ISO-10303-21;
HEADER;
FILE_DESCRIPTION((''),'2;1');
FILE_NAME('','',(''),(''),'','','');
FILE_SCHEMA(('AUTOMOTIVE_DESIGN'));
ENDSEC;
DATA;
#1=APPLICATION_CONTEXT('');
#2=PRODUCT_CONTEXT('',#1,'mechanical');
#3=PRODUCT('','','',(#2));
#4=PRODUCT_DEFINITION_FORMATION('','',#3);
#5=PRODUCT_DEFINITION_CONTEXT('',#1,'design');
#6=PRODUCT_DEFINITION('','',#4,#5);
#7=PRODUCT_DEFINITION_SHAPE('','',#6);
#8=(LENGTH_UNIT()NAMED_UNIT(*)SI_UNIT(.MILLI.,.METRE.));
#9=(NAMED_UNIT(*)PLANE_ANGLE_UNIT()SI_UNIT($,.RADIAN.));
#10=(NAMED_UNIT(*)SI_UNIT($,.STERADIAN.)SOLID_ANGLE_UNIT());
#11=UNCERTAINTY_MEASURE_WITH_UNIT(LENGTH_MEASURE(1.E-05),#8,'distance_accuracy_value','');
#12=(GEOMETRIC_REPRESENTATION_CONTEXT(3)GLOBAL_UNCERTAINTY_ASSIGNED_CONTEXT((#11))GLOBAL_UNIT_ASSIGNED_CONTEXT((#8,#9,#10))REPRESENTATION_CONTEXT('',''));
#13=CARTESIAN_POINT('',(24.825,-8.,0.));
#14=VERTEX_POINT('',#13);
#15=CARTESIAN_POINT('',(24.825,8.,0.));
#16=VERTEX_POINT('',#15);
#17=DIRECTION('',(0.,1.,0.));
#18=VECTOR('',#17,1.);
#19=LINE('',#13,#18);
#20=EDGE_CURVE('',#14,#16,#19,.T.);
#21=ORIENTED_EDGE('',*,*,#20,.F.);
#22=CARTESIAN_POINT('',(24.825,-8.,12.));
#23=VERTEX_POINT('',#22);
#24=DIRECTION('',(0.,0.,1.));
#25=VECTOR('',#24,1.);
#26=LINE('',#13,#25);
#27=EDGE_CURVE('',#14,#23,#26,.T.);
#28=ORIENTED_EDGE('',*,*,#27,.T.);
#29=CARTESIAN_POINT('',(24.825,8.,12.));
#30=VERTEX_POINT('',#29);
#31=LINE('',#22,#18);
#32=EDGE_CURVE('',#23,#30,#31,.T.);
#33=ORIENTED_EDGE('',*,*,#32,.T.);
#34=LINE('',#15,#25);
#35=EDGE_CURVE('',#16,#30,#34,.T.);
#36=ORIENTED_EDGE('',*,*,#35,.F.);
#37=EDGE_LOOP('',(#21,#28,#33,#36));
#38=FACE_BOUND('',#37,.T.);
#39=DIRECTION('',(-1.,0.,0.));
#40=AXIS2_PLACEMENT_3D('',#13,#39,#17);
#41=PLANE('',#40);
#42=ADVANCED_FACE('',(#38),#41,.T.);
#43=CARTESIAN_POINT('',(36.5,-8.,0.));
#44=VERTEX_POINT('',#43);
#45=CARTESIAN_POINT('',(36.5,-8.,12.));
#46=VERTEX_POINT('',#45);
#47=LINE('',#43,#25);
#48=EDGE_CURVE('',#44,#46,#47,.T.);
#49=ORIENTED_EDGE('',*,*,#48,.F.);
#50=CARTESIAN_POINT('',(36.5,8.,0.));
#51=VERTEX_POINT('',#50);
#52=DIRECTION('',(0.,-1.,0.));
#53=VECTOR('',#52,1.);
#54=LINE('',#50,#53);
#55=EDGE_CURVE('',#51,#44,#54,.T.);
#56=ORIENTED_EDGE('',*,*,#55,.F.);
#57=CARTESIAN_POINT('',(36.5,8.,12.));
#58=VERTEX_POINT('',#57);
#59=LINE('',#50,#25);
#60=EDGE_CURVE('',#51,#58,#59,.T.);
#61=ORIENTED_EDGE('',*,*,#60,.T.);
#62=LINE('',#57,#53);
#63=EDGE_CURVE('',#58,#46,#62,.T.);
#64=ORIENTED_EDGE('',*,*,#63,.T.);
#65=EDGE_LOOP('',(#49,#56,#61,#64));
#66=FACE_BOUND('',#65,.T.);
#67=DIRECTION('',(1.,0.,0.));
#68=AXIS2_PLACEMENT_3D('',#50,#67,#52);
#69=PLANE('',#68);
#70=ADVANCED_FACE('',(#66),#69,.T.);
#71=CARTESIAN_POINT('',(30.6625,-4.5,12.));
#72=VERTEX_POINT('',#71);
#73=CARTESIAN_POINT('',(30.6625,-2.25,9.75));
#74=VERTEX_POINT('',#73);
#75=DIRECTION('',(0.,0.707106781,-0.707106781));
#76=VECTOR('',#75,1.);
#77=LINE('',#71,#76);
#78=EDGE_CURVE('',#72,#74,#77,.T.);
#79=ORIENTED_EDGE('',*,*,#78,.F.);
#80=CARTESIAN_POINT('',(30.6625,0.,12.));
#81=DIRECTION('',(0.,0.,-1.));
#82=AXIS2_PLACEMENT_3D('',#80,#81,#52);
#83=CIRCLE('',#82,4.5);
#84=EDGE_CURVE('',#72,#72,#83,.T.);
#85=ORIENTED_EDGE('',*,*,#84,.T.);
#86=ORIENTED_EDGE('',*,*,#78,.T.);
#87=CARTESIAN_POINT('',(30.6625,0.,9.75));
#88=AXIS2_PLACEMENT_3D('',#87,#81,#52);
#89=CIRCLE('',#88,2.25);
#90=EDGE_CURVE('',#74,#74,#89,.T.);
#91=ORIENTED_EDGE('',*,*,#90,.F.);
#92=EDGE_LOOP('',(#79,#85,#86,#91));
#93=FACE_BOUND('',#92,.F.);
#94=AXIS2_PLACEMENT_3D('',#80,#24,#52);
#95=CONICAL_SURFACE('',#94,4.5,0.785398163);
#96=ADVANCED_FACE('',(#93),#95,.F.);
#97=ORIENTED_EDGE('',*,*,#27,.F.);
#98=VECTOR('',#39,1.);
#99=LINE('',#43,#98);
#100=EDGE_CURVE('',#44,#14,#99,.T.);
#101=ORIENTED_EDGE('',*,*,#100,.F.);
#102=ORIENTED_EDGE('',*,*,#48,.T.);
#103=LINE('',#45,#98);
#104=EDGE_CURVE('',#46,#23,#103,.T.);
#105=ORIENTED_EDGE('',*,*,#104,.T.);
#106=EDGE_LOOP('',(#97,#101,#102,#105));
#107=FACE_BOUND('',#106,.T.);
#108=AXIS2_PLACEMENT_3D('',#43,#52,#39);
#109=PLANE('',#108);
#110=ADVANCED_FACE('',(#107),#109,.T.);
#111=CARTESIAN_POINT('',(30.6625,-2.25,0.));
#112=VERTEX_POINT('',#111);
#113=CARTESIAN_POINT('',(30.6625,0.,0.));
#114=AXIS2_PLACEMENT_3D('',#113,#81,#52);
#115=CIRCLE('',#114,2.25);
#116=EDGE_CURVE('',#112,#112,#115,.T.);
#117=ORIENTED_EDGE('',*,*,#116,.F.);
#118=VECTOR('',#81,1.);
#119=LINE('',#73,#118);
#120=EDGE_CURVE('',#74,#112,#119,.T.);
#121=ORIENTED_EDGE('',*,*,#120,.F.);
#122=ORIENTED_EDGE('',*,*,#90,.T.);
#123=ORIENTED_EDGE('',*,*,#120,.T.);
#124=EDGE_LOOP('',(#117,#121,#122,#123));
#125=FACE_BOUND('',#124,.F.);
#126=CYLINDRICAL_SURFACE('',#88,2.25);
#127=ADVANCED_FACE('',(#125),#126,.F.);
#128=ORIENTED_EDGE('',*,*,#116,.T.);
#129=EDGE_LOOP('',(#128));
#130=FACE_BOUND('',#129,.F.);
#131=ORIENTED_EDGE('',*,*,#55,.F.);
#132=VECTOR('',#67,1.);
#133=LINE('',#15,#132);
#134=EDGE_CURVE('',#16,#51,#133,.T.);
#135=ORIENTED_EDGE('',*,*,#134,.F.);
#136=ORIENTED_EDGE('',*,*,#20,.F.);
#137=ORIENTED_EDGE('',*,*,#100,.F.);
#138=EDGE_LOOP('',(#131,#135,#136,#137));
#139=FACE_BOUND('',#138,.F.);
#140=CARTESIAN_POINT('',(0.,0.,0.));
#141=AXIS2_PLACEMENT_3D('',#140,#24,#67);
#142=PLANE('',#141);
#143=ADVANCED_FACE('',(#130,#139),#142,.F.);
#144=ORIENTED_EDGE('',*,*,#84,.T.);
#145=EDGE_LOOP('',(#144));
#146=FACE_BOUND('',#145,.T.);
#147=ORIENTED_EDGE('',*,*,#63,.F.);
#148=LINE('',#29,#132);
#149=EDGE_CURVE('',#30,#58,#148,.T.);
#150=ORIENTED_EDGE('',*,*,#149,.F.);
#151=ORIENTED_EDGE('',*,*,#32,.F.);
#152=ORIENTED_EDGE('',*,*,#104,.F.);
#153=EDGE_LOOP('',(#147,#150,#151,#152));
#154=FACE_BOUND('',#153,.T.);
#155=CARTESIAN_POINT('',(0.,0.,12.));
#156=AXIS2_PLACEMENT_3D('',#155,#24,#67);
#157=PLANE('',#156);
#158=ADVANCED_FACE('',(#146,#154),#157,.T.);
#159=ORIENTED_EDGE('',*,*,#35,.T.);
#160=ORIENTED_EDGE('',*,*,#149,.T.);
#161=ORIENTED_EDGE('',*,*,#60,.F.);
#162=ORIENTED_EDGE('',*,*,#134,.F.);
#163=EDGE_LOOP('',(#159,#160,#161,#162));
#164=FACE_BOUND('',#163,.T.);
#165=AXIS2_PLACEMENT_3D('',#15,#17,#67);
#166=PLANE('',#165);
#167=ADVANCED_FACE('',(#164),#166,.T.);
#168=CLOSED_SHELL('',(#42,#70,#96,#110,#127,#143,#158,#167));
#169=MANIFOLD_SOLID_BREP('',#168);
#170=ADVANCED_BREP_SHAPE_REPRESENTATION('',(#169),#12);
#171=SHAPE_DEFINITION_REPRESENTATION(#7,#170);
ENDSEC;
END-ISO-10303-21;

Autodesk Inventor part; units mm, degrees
ref_plane "YZ Plane" through (0, 0, 0) normal (1, 0, 0) x (0, 1, 0)
ref_plane "XZ Plane" through (0, 0, 0) normal (0, 1, 0) x (-1, 0, 0)
ref_plane "XY Plane" through (0, 0, 0) normal (0, 0, 1) x (1, 0, 0)
sketch "Sketch1" plane through (0, 0, 0) normal (0, 0, 1) x (1, 0, 0)
  line L0 (23.825, 8.05) -> (23.825, -8.05) construction
  line L1 (37, 8.05) -> (31.3417, 8.05) construction
  line L2 (31.3417, -8.05) -> (37, -8.05) construction
  line L3 (37, 8.05) -> (23.825, 8.05) construction
  line L4 (23.825, 8.05) -> (23.825, -8.05) construction
  line L5 (23.825, -8.05) -> (37, -8.05) construction
  line L6 (37, -8.05) -> (37, 8.05) construction
  circle A0 centre (30.6625, 0) radius 2.067 construction
  line L7 (36.5, -8) -> (24.825, -8)
  line L8 (24.825, -8) -> (24.825, 8)
  line L9 (24.825, 8) -> (36.5, 8)
  line L10 (36.5, 8) -> (36.5, -8)
  line L11 (36.5, -8) -> (24.825, 8) construction
  line L12 (24.825, -8) -> (36.5, 8) construction
  point P0 (0, 0)
  dimension "d0" = 1
  dimension "d1" = 0.05
  dimension "d11" = 11.675
  dimension "d12" = 16
extrude "Extrusion1" add sketch "Sketch1" along normal blind 12
sketch "Sketch2" plane through (0, 0, 12) normal (0, 0, 1) x (1, 0, 0)
  point P0 (0, 0)
  point P1 (30.6625, 0)
hole "Hole1" at (30.6625, 0, 12) direction (0, 0, -1) diameter 4.5 end through all countersink diameter 9 countersink angle 90
properties part number "TH1-002" material "Steel, Mild"
